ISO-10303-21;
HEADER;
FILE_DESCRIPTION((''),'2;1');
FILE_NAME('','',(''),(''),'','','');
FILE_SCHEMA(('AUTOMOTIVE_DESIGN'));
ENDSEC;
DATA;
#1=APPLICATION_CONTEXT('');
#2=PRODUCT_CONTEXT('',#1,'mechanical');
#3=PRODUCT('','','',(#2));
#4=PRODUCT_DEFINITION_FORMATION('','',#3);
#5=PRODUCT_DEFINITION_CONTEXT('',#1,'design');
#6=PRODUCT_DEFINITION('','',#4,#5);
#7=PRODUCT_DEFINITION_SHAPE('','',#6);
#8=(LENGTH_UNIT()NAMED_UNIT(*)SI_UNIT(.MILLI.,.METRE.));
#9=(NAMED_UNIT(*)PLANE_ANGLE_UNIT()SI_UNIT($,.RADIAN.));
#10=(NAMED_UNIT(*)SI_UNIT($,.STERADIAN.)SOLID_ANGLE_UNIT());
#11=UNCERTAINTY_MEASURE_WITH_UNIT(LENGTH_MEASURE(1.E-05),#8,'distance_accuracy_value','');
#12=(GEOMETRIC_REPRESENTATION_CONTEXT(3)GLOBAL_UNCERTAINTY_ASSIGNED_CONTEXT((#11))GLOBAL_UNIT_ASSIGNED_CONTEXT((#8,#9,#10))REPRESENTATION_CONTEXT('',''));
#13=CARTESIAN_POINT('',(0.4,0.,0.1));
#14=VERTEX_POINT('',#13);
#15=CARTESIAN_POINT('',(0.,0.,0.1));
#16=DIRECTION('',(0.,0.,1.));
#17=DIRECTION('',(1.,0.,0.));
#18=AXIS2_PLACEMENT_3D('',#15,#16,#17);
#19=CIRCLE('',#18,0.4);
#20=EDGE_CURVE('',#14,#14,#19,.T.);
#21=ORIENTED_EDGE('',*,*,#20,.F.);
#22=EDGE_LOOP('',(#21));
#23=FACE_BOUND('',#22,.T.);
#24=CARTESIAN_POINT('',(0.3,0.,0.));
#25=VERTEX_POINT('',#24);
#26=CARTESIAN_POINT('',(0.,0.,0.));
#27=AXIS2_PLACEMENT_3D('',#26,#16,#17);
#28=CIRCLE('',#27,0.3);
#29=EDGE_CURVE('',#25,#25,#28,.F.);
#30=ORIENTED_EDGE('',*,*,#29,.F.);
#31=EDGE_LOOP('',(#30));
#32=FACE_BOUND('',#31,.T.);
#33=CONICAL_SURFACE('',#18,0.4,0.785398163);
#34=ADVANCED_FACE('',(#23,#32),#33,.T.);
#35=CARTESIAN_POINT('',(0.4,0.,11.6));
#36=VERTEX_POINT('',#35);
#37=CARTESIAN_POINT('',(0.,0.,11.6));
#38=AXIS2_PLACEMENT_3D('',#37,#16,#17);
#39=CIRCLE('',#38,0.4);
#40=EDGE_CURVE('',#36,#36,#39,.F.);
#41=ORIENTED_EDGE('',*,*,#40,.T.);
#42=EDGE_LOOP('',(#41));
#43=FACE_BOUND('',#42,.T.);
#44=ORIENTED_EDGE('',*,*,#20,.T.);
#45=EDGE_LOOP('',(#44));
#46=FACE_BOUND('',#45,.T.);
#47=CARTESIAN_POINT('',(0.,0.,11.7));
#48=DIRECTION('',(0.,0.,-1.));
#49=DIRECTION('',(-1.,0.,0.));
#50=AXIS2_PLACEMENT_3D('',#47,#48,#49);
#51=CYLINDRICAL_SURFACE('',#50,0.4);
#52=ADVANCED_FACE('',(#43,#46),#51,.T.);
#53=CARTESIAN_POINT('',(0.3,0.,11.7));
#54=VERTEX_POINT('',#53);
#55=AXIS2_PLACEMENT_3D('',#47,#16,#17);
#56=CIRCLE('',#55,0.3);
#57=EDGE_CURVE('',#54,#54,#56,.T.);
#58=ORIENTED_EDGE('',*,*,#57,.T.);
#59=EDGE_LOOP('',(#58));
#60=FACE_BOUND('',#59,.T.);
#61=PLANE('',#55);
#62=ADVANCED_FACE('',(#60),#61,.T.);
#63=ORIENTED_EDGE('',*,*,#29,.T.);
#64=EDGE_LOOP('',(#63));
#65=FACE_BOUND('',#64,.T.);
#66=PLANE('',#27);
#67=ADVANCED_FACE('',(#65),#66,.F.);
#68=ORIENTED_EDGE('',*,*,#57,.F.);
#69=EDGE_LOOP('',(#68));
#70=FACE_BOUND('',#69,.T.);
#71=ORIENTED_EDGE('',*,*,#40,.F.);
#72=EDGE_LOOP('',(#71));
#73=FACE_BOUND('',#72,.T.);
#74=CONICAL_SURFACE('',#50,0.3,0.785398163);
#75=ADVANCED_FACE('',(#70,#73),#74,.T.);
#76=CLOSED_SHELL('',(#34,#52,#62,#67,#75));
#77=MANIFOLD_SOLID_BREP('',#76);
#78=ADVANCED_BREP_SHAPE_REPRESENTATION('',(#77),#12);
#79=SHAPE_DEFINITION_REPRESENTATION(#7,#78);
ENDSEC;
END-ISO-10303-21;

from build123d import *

# Parameters (mm, degrees)
SKETCH1_R           = 0.4
BOSS_EXTRUDE1_DEPTH = 11.7
CHAMFER1_SIZE       = 0.1


with BuildPart() as part:
    # Sketch1 → Boss-Extrude1 (new body)
    with BuildSketch(Plane.XY):
        Circle(SKETCH1_R)
    extrude(amount=BOSS_EXTRUDE1_DEPTH)

    # Chamfer1
    chamfer1_edges = [part.edges().sort_by_distance(p)[0] for p in [
        (-0.4, 0, 0),
        (-0.4, 0, 11.7),
    ]]
    chamfer(chamfer1_edges, length=CHAMFER1_SIZE)


solid = part.part
